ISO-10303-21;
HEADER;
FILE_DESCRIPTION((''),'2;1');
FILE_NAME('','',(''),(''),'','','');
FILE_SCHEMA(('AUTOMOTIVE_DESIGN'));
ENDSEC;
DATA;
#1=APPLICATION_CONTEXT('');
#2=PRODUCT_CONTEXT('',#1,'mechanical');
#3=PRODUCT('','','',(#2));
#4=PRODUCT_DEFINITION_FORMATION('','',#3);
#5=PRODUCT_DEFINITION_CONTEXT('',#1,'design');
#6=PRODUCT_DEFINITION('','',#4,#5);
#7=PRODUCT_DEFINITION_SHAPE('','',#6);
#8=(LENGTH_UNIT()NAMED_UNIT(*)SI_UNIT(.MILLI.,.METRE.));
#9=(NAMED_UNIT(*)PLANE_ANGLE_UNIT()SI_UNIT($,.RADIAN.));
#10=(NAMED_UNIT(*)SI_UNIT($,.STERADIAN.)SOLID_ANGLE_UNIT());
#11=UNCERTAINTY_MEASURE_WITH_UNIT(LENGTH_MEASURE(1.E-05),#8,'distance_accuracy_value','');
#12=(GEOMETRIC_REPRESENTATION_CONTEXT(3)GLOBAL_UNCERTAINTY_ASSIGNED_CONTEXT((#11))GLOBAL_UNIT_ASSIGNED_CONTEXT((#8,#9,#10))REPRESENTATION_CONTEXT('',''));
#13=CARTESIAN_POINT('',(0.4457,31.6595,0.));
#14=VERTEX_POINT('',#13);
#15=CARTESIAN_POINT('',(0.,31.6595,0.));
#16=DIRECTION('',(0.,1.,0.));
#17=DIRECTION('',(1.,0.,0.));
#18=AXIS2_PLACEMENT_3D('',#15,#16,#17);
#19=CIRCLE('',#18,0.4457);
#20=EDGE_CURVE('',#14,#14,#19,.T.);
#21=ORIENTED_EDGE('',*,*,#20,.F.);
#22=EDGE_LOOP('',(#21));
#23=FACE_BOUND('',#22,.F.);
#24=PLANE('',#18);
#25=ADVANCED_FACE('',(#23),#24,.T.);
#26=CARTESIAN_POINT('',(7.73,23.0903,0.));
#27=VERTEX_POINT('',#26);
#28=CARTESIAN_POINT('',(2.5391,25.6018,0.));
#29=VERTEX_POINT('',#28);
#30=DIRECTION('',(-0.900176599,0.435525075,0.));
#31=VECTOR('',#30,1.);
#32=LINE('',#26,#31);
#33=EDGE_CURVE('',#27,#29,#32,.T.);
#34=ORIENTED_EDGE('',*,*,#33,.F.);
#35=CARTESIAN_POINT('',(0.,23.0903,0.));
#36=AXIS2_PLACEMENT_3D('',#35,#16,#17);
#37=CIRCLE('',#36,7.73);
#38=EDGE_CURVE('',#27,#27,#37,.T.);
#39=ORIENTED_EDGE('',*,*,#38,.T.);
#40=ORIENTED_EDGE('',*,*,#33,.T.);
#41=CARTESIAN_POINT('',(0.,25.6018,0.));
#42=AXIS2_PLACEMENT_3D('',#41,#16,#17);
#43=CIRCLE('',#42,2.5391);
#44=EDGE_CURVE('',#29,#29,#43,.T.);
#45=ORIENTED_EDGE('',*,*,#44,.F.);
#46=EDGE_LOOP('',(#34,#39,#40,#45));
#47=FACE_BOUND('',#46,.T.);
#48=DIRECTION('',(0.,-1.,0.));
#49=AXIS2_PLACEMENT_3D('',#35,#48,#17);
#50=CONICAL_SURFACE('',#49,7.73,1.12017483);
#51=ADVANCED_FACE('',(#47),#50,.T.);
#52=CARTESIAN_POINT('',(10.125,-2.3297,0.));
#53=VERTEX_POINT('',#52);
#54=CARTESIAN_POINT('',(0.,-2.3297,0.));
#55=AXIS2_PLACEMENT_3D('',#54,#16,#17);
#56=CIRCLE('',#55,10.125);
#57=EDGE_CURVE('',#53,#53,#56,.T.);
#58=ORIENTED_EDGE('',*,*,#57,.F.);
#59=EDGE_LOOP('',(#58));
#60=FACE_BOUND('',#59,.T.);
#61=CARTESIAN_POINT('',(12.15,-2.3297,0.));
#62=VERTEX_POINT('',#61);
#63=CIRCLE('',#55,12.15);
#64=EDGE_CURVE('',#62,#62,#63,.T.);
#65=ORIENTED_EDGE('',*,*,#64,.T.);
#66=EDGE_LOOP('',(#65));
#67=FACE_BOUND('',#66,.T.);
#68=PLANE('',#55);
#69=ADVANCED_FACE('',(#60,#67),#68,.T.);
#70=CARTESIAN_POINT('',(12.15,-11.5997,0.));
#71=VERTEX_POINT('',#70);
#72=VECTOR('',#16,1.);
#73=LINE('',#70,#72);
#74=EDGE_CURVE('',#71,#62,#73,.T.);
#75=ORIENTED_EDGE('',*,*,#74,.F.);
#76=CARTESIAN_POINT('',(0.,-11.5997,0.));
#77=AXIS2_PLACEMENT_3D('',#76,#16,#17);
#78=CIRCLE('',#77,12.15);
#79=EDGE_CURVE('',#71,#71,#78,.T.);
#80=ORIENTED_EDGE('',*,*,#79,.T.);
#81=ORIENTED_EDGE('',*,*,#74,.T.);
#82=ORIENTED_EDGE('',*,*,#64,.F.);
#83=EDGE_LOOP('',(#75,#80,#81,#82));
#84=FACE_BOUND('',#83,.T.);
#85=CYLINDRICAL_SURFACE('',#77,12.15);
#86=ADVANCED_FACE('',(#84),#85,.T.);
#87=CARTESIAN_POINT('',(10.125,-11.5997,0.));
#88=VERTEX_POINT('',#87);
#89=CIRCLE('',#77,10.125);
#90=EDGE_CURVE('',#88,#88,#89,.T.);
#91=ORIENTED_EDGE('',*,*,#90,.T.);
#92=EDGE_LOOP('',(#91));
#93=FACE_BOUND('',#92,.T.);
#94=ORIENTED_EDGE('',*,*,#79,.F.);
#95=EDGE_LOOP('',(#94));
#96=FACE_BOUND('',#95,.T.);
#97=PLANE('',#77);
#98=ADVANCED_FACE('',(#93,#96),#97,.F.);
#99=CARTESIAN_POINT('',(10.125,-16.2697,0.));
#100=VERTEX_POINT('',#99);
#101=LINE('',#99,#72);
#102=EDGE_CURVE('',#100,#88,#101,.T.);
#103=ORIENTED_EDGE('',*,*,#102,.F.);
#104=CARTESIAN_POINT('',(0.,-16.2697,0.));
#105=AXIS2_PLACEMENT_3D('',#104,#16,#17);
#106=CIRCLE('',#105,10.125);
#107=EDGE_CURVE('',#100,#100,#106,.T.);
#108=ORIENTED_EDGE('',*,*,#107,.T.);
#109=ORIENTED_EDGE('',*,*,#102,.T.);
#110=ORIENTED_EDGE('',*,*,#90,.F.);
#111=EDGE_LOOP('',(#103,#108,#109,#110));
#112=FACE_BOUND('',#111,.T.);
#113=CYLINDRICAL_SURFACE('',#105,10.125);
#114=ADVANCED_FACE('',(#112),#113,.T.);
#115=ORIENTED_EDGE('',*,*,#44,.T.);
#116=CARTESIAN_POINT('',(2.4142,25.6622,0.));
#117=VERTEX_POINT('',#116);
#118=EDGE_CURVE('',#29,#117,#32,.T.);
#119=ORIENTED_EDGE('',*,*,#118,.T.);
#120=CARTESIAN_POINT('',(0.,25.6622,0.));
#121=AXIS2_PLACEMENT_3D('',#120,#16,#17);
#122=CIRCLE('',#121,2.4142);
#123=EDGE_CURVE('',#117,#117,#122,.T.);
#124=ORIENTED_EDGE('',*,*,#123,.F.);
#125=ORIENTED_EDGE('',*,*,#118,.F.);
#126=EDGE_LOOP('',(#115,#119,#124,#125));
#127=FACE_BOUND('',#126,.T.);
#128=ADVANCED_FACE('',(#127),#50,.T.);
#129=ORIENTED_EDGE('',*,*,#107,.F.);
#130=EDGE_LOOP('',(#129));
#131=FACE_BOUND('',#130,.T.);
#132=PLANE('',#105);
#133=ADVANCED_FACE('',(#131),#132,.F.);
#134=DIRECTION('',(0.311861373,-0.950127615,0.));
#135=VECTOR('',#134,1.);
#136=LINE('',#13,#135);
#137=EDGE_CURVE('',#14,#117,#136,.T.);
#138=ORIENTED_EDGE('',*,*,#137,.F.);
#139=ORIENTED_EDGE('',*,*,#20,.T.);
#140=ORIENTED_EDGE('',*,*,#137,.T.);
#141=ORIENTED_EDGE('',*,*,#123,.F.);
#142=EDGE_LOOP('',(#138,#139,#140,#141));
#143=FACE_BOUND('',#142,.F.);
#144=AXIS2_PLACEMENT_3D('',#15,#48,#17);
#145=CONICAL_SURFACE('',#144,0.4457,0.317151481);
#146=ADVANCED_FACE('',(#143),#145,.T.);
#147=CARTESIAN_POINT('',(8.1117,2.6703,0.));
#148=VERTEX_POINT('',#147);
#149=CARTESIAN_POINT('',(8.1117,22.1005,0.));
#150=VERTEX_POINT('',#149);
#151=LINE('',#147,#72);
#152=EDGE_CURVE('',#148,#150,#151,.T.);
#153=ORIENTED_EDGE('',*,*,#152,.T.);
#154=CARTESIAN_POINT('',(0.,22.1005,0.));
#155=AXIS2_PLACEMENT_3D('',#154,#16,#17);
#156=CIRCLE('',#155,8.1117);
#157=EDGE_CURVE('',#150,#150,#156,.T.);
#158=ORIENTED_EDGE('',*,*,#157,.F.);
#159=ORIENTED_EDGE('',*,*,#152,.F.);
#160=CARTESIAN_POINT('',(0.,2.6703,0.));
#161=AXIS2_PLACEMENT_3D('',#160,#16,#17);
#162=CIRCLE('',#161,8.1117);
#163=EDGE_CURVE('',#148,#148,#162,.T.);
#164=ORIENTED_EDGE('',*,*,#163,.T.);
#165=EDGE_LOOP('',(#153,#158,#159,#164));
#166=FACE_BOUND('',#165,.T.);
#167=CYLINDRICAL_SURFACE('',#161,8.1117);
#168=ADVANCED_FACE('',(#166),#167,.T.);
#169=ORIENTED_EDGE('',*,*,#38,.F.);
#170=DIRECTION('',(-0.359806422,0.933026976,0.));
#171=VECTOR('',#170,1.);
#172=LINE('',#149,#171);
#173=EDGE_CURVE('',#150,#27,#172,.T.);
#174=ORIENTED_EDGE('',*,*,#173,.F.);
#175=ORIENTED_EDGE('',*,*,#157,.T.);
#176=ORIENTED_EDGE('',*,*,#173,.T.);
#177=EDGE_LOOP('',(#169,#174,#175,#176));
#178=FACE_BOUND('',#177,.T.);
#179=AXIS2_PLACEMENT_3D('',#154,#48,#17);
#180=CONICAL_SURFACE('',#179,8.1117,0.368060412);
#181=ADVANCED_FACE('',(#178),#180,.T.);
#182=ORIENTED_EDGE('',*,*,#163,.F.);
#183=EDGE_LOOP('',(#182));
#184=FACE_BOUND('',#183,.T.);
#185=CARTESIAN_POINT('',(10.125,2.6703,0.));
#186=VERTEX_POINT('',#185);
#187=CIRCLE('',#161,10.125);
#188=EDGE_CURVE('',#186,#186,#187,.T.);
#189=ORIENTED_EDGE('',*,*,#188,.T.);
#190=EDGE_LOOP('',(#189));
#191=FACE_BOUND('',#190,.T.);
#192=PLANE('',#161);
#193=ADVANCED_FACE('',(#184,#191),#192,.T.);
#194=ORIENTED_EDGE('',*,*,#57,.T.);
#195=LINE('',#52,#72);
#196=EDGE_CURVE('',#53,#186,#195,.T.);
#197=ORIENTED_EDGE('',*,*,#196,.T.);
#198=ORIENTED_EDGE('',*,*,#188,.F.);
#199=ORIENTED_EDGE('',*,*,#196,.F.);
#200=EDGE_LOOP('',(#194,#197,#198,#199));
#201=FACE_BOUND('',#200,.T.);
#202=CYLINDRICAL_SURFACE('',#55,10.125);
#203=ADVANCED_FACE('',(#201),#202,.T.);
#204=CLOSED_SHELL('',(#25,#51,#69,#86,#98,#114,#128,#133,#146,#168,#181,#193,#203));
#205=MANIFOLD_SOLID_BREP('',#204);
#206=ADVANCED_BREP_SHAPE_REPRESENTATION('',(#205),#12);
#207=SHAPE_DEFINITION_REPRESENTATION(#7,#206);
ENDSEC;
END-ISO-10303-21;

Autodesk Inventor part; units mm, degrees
ref_plane "YZ Plane" through (0, 0, 0) normal (1, 0, 0) x (0, 1, 0)
ref_plane "XZ Plane" through (0, 0, 0) normal (0, 1, 0) x (-1, 0, 0)
ref_plane "XY Plane" through (0, 0, 0) normal (0, 0, 1) x (1, 0, 0)
sketch "Sketch1" plane through (0, 0, 0) normal (0, 0, 1) x (1, 0, 0)
  line L0 (0, -16.2697) -> (0, 26.8303)
  line L1 (0, -16.2697) -> (10.125, -16.2697)
  line L2 (10.125, -16.2697) -> (10.125, -11.5997)
  line L3 (10.125, -11.5997) -> (12.15, -11.5997)
  line L4 (12.15, -11.5997) -> (12.15, -2.3297)
  line L5 (12.15, -2.3297) -> (10.125, -2.3297)
  line L6 (8.1117, 22.1005) -> (7.73, 23.0903)
  line L7 (7.73, 23.0903) -> (2.4142, 25.6622)
  line L8 (2.5391, 25.6018) -> (2.4142, 25.6622)
  line L9 (0, 31.6595) -> (0, 26.8303)
  line L10 (0, 31.6595) -> (0.4457, 31.6595)
  line L11 (0.4457, 31.6595) -> (2.4142, 25.6622)
  line L12 (10.125, -2.3297) -> (10.125, 2.6703)
  line L13 (10.125, 2.6703) -> (8.1117, 2.6703)
  line L14 (8.1117, 2.6703) -> (8.1117, 22.1005)
  point P0 (0, 0)
  point P1 (10.125, 16.8803)
  dimension "d0" = 43.1
  dimension "d1" = 10.125
  dimension "d2" = 4.67
  dimension "d3" = 2.025
  dimension "d4" = 90
  dimension "d5" = 9.27
  dimension "d8" = 39.36
  dimension "d10" = 5
revolve "Revolution1" add sketch "Sketch1" angle 360 about axis through (0, -16.2697, 0) along (0, 1, 0)
properties part number "00_objectivelens_10x"
